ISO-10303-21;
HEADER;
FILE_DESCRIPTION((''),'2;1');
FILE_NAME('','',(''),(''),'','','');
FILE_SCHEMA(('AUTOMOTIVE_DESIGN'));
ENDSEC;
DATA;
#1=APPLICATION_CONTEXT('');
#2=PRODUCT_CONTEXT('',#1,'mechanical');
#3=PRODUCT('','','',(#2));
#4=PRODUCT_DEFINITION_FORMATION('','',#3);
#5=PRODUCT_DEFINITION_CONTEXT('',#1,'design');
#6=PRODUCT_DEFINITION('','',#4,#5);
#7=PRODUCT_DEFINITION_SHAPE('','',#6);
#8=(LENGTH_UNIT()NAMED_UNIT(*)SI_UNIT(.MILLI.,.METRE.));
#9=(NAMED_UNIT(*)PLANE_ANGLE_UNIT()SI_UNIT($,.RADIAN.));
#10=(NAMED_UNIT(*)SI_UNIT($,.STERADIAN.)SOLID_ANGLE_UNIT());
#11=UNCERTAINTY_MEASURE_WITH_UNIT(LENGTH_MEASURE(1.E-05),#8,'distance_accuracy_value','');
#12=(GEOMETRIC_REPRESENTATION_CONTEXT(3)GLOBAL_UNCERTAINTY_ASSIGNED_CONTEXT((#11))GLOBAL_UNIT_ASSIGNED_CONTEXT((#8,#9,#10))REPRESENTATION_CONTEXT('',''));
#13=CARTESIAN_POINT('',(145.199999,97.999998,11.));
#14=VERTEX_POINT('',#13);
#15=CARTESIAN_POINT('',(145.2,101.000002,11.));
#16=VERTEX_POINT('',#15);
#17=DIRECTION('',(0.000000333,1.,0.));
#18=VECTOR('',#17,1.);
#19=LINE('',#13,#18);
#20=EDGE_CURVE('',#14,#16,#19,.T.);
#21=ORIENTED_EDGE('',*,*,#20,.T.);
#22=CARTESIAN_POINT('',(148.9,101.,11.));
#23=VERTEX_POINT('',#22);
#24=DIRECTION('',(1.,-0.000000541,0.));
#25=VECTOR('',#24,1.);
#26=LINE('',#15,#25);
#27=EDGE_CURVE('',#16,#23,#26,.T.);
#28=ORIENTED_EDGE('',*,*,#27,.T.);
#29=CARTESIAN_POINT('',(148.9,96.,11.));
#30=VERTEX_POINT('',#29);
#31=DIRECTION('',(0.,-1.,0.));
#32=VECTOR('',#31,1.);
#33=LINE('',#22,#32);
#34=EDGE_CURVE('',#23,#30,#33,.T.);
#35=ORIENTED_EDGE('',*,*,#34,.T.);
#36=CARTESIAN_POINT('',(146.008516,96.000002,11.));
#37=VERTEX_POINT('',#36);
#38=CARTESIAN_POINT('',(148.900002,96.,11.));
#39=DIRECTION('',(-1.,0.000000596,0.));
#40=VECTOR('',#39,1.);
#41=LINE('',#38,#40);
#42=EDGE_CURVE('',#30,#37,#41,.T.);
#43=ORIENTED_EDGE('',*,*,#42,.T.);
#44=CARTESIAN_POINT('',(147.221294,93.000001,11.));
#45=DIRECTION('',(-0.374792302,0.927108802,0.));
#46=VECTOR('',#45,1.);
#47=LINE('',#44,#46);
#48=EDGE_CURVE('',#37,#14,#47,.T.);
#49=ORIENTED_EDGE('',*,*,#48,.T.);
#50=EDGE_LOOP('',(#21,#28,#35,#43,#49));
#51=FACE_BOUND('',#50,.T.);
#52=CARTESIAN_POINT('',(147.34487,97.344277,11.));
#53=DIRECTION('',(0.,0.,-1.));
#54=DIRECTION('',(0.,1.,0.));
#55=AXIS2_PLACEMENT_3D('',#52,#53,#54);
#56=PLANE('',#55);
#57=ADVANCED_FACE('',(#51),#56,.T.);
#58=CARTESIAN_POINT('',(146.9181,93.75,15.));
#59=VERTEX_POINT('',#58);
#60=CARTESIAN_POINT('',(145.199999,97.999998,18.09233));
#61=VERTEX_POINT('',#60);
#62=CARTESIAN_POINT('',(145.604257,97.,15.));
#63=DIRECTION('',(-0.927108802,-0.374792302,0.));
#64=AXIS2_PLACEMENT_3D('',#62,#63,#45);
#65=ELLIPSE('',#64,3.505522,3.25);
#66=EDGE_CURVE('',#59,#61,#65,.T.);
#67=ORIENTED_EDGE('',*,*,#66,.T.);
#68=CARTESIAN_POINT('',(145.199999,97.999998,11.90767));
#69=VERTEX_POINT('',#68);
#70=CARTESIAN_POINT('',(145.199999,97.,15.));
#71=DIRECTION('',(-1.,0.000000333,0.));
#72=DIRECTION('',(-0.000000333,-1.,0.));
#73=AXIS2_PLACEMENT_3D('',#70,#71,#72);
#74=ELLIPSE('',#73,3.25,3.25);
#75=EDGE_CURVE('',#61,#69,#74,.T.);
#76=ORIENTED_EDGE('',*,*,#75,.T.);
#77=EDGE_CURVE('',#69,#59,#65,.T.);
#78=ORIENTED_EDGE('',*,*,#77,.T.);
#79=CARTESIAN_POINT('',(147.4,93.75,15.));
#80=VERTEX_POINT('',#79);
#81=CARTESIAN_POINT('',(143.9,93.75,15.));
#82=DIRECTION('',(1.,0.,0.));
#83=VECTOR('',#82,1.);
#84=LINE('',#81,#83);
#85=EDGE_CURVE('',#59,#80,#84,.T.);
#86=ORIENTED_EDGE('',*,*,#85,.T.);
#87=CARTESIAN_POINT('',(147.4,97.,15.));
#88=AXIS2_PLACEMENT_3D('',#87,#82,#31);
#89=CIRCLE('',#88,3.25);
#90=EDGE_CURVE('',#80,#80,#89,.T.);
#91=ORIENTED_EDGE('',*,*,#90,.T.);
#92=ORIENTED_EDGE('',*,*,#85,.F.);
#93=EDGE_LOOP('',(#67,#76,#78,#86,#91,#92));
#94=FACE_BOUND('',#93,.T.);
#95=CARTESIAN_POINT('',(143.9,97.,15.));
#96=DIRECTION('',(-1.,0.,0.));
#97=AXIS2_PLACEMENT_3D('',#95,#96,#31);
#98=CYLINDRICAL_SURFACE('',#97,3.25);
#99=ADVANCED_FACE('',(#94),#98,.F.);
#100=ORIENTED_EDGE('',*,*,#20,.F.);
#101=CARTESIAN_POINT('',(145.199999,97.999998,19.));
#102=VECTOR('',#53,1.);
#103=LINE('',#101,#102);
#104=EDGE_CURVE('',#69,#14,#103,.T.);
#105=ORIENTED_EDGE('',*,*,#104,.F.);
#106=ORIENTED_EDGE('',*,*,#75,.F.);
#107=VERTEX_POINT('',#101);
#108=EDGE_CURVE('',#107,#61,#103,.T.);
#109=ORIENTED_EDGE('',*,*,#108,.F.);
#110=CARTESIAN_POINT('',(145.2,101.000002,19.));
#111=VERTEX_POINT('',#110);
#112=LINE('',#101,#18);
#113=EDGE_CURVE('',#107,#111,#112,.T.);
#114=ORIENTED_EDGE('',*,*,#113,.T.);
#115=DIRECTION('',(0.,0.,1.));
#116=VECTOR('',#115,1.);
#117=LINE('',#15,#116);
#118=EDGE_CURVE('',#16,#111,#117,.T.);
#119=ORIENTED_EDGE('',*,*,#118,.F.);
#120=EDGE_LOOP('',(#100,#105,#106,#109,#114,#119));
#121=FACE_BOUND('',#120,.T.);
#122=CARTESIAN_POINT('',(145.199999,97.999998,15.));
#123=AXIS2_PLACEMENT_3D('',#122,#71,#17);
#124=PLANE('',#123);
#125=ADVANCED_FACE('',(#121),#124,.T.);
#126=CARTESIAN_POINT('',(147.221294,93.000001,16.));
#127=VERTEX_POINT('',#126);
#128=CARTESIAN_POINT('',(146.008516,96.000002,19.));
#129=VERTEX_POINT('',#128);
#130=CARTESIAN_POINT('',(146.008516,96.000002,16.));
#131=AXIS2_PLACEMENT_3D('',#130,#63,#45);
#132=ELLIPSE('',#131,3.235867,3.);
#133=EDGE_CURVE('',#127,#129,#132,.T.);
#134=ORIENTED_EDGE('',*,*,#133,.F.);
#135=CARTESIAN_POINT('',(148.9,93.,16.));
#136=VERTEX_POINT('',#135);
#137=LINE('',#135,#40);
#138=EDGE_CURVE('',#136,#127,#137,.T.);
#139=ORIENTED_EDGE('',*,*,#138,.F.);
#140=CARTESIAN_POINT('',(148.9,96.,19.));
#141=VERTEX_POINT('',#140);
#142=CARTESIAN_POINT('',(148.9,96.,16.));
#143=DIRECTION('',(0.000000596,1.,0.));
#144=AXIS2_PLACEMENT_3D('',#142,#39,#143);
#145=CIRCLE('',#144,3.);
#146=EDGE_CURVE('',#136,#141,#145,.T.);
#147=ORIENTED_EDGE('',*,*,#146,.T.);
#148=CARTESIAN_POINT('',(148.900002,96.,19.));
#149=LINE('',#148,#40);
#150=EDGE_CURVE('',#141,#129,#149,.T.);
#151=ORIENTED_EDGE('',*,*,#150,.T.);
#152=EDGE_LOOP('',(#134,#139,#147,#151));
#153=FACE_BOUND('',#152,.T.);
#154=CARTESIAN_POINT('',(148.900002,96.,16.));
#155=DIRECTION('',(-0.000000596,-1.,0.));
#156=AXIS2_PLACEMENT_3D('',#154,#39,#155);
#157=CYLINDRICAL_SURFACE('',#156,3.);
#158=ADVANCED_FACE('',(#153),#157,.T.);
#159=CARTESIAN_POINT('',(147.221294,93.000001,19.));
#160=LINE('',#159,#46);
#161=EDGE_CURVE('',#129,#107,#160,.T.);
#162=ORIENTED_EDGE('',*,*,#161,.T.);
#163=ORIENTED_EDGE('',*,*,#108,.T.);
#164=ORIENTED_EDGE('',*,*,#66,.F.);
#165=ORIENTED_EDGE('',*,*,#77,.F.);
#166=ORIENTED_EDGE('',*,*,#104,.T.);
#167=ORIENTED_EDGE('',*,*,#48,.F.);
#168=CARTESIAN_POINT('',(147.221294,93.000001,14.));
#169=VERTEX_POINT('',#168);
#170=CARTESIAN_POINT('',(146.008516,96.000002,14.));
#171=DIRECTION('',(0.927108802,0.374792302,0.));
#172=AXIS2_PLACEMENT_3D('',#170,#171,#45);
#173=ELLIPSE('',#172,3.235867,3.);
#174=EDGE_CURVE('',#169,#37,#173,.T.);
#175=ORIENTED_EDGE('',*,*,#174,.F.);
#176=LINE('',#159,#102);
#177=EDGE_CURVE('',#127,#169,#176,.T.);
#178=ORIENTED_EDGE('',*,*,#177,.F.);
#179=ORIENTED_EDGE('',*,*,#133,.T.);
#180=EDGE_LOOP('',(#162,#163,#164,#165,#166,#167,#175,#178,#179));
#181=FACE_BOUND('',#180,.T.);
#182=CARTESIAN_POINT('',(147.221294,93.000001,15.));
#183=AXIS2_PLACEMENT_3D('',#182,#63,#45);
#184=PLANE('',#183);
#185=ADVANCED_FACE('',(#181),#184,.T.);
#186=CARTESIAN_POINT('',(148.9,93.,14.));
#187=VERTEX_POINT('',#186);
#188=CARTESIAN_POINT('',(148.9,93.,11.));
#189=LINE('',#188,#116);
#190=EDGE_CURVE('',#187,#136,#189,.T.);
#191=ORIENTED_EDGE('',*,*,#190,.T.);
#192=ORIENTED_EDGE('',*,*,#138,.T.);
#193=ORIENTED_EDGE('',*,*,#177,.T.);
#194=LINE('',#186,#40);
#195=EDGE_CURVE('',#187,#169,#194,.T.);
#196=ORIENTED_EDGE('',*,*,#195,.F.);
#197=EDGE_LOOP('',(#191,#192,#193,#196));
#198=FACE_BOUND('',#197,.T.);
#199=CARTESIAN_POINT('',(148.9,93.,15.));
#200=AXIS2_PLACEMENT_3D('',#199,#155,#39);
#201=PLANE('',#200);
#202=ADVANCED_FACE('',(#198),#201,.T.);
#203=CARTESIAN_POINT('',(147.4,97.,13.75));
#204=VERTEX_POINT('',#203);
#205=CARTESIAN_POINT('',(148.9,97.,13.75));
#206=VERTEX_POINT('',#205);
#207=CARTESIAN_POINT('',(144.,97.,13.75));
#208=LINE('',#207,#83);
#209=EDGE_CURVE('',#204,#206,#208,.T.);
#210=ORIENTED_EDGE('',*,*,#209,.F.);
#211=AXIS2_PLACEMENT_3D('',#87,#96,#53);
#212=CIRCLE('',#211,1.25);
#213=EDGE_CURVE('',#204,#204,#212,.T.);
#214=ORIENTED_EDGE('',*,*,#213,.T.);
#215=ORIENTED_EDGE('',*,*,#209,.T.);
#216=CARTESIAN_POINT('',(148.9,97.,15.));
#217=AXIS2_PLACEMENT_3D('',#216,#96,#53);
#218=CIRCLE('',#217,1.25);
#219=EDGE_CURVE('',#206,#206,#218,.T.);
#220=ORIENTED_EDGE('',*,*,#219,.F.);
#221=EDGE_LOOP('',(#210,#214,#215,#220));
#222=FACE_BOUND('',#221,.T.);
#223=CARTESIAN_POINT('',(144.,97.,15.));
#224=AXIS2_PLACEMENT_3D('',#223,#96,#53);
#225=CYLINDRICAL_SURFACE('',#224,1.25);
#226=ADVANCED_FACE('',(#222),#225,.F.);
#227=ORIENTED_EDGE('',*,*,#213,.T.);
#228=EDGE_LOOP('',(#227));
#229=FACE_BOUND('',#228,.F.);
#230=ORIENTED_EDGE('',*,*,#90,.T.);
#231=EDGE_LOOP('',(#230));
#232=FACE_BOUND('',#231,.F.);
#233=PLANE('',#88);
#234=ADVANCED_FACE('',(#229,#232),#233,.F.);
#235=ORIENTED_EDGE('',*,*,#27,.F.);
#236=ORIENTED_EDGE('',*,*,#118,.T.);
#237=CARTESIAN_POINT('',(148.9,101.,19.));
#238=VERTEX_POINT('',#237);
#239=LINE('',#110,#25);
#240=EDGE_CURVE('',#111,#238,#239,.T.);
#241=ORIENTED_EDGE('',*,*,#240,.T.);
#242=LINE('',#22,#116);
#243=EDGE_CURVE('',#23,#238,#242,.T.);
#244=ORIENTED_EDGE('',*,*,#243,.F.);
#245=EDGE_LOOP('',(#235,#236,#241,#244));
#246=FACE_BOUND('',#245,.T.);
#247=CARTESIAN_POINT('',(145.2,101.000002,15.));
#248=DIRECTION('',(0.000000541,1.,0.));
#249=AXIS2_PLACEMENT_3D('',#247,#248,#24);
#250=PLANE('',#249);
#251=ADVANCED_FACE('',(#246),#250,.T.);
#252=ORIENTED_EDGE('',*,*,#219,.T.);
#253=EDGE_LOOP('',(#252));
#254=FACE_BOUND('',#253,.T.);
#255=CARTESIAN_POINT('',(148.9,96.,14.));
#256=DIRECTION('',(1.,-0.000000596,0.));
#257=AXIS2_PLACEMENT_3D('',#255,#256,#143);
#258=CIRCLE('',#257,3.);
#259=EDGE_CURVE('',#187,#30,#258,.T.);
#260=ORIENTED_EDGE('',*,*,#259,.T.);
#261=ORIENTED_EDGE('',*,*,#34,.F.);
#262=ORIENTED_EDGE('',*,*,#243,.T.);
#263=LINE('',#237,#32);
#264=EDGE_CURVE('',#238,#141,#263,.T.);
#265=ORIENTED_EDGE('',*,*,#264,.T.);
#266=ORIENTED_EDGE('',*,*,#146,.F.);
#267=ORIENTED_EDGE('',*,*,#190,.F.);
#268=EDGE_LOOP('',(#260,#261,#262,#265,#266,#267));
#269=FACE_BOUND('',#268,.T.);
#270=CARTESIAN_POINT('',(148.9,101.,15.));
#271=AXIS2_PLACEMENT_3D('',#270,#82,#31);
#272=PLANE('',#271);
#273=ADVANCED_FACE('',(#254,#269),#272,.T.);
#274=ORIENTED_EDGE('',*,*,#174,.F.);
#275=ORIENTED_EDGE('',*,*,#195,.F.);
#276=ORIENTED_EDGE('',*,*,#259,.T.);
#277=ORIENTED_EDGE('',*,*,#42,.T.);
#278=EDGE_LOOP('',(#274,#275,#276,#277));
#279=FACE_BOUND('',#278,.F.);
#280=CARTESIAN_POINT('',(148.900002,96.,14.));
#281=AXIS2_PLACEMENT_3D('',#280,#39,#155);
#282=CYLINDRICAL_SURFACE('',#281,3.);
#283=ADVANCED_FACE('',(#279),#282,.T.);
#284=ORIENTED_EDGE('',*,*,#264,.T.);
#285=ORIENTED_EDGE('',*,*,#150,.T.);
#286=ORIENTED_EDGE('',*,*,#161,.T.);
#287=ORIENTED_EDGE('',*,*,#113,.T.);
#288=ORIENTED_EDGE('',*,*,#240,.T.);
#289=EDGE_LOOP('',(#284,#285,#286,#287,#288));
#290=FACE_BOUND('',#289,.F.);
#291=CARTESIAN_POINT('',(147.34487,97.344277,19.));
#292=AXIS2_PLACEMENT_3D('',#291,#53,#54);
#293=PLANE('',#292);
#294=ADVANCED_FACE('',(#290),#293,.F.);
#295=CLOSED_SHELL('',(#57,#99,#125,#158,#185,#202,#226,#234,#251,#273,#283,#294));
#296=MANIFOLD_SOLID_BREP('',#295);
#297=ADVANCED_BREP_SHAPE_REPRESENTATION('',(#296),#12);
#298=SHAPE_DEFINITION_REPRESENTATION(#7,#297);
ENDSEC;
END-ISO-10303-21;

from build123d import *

# Parameters (mm, degrees)
PAD026_DEPTH            = 4
SKETCH054_R             = 3.25
POCKET017_DEPTH         = 3.5
SKETCH056_R             = 1.25
POCKET018_DEPTH         = 5
FILLET001_R             = 3
BODY041_PLACEMENT_ANGLE = 90


with BuildPart() as part:
    # Sketch052 → Pad026 (new body, symmetric)
    with BuildSketch(Plane.YZ.offset(-96)):
        Polygon((93, 26.9), (93.000001, 25.221294), (97.999998, 23.199999), (101.000002, 23.2), (101, 26.9), align=None)
    extrude(amount=PAD026_DEPTH, both=True)

    # Sketch054 (on Face5 of Pad026) → Pocket017 (cut)
    with BuildSketch(Plane(origin=(0, 0, 21.9), x_dir=(0, -1, 0), z_dir=(0, 0, 1))):
        with Locations((-97, -96)):
            Circle(SKETCH054_R)
    extrude(amount=POCKET017_DEPTH, mode=Mode.SUBTRACT)

    # Sketch056 → Pocket018 (cut)
    with BuildSketch(Plane.XY.offset(22)):
        with Locations((-96, 97)):
            Circle(SKETCH056_R)
    extrude(amount=POCKET018_DEPTH, mode=Mode.SUBTRACT)

    # Fillet001
    fillet001_edges = [part.edges().sort_by_distance(p)[0] for p in [
        (-92, 93.000001, 26.060647),
        (-100, 93.000001, 26.060647),
    ]]
    fillet(fillet001_edges, radius=FILLET001_R)


with BuildPart() as part_1:
    # Body041 placement: moved
    add(part.part.moved(Location((-70, 0, -81))).rotate(Axis((-70, 0, -81), (0, 1, 0)), BODY041_PLACEMENT_ANGLE))


with BuildPart() as part_2:
    # Body047 placement: moved
    add(part_1.part.moved(Location((192, 0, 0))))


solid = part_2.part
